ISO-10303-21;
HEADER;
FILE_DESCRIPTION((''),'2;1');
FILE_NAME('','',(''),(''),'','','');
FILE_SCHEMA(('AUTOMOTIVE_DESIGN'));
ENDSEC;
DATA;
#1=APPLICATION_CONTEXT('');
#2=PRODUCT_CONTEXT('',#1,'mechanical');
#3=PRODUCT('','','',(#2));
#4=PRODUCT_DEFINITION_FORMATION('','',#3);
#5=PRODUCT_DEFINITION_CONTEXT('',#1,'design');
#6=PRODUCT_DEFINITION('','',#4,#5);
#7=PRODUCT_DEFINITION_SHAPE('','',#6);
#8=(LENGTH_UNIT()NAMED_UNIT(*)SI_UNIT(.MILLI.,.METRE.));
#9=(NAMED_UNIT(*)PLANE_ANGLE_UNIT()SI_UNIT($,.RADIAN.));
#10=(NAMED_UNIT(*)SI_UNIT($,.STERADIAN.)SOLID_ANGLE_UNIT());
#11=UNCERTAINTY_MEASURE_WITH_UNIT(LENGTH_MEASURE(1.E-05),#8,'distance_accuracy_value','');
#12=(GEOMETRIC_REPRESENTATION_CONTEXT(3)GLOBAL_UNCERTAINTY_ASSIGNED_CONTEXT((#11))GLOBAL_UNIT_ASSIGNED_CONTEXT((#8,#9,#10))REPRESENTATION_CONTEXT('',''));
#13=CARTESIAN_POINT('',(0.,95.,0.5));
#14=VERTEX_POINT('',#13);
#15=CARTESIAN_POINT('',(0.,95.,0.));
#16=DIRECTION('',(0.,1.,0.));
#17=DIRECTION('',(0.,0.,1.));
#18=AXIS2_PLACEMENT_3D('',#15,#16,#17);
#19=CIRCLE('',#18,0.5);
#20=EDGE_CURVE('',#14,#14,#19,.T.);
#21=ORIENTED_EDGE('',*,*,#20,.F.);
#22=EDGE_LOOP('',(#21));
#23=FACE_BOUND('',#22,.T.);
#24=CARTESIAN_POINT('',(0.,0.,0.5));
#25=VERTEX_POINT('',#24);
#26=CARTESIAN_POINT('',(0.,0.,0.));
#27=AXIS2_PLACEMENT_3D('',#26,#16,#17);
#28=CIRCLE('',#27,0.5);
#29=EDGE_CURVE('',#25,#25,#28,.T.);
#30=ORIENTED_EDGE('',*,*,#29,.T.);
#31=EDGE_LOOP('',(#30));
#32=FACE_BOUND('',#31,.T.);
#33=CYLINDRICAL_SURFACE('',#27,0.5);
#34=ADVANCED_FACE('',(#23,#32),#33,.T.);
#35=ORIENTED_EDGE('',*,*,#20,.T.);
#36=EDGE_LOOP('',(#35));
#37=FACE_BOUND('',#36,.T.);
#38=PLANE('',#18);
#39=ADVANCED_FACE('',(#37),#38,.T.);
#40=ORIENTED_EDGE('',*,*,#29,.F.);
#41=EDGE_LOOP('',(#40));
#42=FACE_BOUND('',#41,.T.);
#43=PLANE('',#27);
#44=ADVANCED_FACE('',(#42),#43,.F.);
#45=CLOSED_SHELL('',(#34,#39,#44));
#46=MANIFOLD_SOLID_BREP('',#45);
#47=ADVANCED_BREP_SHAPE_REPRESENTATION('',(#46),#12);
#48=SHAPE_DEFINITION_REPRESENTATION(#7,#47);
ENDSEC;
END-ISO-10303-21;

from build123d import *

# Parameters (mm, degrees)
SKETCH5_R = 0.5


with BuildPart() as part:
    # Sweep1: sweep along a path in Sketch3
    with BuildLine(Plane.XY) as sweep1_path:
        Line((0, 0), (0, 95))
    # Sketch5 → Sweep1 (sweep)
    with BuildSketch(Plane(origin=(0, 0, 0), x_dir=(1, 0, 0), z_dir=(0, 1, 0))):
        Circle(SKETCH5_R)
    sweep(path=sweep1_path.line)


solid = part.part
